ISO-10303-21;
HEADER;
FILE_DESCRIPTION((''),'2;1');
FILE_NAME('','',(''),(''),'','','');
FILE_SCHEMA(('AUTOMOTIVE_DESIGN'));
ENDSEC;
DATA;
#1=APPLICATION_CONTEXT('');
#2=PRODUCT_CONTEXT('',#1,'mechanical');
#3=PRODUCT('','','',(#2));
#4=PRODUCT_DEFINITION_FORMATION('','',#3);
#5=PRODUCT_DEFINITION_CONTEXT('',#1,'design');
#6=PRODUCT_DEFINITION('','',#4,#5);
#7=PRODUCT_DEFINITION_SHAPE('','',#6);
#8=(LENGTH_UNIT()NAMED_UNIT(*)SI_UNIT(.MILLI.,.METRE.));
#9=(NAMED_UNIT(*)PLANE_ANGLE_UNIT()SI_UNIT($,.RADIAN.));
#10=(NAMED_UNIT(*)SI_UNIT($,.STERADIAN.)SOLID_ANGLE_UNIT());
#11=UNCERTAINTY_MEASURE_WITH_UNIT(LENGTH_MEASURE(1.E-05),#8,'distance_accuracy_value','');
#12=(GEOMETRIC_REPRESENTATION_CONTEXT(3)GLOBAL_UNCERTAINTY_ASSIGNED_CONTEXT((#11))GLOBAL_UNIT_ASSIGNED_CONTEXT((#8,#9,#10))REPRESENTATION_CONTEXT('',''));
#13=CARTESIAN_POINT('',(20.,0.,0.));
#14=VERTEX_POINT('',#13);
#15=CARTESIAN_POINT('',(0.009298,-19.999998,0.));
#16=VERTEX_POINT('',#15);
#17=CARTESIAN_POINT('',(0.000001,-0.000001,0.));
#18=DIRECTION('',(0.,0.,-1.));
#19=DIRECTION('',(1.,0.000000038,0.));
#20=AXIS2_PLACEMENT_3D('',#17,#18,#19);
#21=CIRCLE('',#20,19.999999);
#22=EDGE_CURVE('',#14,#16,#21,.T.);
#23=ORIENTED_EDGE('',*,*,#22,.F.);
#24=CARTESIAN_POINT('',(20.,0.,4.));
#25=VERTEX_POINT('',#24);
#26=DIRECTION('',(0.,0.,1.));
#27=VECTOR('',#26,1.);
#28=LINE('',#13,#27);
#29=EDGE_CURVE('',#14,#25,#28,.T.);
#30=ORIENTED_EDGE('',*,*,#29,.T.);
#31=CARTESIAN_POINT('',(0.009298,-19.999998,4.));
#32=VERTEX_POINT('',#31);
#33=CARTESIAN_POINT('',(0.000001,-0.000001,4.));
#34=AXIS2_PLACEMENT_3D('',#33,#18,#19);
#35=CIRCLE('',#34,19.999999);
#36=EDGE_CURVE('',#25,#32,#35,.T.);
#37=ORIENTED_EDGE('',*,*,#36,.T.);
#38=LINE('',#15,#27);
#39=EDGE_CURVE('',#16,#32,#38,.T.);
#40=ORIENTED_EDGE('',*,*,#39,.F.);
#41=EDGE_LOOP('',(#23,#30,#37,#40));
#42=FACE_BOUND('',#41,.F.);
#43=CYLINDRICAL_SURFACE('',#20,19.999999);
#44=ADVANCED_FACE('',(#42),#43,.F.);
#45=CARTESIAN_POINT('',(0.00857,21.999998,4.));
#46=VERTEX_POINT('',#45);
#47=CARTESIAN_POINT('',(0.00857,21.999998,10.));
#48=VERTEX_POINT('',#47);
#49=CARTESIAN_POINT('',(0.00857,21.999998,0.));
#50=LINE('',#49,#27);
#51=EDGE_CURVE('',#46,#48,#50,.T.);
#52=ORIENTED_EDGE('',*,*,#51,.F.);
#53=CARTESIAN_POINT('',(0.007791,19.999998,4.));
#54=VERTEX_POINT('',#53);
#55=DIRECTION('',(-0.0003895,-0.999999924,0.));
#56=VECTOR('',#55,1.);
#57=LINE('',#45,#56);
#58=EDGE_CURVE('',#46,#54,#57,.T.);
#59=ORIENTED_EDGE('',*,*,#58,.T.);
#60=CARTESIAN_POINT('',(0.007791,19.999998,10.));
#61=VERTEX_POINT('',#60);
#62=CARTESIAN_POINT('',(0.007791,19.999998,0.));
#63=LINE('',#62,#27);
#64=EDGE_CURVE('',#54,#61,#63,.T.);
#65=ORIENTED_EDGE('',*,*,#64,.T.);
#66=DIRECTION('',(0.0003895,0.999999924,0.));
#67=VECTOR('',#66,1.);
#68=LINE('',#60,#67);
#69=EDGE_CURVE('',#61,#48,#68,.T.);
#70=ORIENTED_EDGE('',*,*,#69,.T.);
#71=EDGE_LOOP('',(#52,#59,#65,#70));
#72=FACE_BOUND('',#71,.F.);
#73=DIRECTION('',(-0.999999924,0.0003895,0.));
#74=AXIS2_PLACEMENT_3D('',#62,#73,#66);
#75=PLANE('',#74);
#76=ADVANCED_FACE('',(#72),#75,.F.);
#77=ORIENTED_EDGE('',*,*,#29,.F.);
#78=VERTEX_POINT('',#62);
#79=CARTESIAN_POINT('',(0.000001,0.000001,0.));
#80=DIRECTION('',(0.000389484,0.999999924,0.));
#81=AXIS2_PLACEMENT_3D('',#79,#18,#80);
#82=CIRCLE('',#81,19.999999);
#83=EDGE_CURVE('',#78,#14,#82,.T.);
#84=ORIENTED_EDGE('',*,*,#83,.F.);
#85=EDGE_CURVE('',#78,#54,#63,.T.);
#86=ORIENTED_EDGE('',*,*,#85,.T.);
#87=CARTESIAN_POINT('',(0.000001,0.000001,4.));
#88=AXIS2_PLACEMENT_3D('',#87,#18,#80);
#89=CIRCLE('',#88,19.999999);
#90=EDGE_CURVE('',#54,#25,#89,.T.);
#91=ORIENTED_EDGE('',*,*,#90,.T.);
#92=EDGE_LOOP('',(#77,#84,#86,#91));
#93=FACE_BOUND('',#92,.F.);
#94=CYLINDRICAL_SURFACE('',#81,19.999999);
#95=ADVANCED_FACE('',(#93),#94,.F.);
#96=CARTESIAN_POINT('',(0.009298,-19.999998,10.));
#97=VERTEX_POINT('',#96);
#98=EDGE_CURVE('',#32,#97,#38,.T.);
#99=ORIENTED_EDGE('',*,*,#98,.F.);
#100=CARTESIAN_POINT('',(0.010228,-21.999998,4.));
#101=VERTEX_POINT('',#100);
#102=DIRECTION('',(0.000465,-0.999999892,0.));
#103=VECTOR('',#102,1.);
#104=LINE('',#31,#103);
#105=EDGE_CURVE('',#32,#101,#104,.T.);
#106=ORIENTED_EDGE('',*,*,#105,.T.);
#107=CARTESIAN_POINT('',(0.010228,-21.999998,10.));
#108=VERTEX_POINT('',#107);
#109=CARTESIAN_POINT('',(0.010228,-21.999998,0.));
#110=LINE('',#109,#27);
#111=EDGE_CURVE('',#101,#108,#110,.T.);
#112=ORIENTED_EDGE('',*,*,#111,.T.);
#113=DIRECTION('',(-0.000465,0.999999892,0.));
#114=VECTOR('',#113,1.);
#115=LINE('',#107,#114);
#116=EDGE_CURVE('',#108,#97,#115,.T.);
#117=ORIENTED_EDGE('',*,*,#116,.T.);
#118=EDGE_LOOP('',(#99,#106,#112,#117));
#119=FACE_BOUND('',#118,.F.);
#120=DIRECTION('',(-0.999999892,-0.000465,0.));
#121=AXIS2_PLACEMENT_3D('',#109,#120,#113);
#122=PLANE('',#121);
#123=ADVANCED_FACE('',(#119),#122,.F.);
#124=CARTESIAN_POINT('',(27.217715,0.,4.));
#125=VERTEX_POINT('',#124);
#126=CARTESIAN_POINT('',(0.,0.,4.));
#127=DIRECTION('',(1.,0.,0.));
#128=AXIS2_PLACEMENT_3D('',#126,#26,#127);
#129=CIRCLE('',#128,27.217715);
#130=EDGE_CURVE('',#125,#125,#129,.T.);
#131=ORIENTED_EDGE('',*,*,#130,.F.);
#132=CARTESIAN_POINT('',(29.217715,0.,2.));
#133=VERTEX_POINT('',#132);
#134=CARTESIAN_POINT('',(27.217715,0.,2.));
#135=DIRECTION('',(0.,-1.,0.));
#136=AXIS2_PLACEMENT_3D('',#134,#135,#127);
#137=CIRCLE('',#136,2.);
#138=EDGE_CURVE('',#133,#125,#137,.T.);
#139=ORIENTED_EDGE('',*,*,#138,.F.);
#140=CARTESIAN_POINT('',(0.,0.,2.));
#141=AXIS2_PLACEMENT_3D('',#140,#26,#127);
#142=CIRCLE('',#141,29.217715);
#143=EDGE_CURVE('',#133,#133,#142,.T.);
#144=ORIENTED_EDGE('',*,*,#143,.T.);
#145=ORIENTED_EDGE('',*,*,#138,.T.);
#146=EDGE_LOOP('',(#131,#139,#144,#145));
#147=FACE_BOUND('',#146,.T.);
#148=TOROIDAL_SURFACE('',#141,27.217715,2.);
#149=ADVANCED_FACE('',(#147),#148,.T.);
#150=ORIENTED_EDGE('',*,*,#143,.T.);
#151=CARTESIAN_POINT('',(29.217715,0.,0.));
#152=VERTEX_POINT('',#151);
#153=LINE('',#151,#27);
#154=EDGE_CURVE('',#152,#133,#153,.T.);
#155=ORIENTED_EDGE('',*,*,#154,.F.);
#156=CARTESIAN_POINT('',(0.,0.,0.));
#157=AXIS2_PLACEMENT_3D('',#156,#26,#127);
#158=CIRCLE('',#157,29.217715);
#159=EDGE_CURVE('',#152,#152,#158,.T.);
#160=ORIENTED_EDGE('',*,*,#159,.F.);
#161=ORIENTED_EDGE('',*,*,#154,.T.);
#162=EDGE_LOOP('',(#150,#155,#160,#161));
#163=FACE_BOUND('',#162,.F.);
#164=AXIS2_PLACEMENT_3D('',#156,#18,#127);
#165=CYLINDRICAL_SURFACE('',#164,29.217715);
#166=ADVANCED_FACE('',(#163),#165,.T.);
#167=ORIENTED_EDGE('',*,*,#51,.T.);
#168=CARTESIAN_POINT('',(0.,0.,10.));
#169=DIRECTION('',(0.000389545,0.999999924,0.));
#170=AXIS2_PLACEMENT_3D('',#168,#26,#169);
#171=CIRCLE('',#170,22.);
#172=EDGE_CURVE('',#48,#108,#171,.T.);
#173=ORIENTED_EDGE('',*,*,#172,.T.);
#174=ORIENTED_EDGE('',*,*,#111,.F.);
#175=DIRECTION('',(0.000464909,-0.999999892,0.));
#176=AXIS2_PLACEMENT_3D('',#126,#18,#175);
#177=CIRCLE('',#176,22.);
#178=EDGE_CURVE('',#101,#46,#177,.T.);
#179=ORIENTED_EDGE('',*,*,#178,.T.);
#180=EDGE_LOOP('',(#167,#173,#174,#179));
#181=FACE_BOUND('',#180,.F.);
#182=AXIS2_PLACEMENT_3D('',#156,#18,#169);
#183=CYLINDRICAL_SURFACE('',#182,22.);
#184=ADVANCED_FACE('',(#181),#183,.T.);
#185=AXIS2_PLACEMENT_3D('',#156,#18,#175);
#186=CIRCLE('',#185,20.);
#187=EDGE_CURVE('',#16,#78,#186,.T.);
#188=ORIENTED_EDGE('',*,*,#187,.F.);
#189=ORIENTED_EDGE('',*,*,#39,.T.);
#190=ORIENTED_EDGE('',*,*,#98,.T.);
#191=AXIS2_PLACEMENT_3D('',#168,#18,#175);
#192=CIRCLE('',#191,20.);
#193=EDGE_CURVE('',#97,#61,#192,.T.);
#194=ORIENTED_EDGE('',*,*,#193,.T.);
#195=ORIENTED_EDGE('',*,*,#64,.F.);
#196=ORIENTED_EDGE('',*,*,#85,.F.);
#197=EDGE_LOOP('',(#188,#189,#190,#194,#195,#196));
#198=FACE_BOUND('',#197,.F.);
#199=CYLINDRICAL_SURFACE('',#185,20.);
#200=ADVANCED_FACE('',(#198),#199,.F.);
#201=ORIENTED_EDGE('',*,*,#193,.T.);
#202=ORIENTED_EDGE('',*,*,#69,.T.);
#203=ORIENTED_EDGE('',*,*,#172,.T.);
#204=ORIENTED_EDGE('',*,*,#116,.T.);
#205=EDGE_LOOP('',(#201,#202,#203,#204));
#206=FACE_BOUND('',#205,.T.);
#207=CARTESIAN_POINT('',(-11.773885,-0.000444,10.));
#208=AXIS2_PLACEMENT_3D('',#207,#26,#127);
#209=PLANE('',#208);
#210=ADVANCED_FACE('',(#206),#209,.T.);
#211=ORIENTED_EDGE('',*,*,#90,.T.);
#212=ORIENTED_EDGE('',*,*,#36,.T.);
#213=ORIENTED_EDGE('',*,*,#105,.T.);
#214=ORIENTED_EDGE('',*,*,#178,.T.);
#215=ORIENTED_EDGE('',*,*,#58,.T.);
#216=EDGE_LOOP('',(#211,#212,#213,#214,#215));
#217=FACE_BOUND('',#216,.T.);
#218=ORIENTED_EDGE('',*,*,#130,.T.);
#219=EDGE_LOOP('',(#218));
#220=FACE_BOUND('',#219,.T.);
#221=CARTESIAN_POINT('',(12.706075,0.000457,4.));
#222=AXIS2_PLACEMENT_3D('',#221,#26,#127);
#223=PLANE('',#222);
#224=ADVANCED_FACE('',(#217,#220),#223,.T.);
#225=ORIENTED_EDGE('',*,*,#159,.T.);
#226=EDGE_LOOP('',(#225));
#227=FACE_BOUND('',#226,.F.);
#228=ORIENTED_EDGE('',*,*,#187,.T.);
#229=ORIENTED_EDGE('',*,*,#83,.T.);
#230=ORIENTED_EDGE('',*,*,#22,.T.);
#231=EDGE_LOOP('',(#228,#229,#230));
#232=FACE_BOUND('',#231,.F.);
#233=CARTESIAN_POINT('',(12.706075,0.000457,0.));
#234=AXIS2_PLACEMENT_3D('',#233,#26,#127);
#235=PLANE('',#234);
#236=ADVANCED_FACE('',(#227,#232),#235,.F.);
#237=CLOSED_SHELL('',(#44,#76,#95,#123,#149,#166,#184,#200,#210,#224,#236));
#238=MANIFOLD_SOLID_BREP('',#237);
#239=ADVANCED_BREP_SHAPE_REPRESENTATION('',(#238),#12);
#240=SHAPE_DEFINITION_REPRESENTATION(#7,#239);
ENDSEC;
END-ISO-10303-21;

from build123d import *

# Parameters (mm, degrees)
F1_DEPTH = 10
F0_R     = 29.217715
F2_DEPTH = 4
F3_R     = 2
F4_DEPTH = 4


with BuildPart() as f1:
    # F0 (on Top) → F1 (new body)
    with BuildSketch(Plane.XY):
        with BuildLine():
            ThreePointArc((0.009298, -19.999998), (-20, -0.000754), (0.007791, 19.999998))
            Line((0.007791, 19.999998), (0.00857, 21.999998))
            ThreePointArc((0.00857, 21.999998), (-22, -0.000829), (0.010228, -21.999998))
            Line((0.010228, -21.999998), (0.009298, -19.999998))
        make_face()
    extrude(amount=F1_DEPTH)

    # F0 (on Top) → F2 (join)
    with BuildSketch(Plane.XY):
        Circle(F0_R)
        with BuildLine():
            ThreePointArc((0.010228, -21.999998), (-22, -0.000829), (0.00857, 21.999998))
            ThreePointArc((0.00857, 21.999998), (15.559379, 15.553319), (22, 0))
            ThreePointArc((22, 0), (15.559965, -15.552733), (0.010228, -21.999998))
        make_face(mode=Mode.SUBTRACT)
    extrude(amount=F2_DEPTH)

    # F3
    f3_edges = [f1.edges().sort_by_distance(p)[0] for p in [
        (-29.217715, 0, 4),
    ]]
    fillet(f3_edges, radius=F3_R)

    # F0 (on Top) → F4 (join)
    with BuildSketch(Plane.XY):
        with BuildLine():
            ThreePointArc((0.007791, 19.999998), (14.14489, 14.139381), (20, 0))
            ThreePointArc((20, 0), (14.145423, -14.138848), (0.009298, -19.999998))
            Line((0.009298, -19.999998), (0.010228, -21.999998))
            ThreePointArc((0.010228, -21.999998), (15.559965, -15.552733), (22, 0))
            ThreePointArc((22, 0), (15.559379, 15.553319), (0.00857, 21.999998))
            Line((0.00857, 21.999998), (0.007791, 19.999998))
        make_face()
    extrude(amount=F4_DEPTH)


solid = f1.part
